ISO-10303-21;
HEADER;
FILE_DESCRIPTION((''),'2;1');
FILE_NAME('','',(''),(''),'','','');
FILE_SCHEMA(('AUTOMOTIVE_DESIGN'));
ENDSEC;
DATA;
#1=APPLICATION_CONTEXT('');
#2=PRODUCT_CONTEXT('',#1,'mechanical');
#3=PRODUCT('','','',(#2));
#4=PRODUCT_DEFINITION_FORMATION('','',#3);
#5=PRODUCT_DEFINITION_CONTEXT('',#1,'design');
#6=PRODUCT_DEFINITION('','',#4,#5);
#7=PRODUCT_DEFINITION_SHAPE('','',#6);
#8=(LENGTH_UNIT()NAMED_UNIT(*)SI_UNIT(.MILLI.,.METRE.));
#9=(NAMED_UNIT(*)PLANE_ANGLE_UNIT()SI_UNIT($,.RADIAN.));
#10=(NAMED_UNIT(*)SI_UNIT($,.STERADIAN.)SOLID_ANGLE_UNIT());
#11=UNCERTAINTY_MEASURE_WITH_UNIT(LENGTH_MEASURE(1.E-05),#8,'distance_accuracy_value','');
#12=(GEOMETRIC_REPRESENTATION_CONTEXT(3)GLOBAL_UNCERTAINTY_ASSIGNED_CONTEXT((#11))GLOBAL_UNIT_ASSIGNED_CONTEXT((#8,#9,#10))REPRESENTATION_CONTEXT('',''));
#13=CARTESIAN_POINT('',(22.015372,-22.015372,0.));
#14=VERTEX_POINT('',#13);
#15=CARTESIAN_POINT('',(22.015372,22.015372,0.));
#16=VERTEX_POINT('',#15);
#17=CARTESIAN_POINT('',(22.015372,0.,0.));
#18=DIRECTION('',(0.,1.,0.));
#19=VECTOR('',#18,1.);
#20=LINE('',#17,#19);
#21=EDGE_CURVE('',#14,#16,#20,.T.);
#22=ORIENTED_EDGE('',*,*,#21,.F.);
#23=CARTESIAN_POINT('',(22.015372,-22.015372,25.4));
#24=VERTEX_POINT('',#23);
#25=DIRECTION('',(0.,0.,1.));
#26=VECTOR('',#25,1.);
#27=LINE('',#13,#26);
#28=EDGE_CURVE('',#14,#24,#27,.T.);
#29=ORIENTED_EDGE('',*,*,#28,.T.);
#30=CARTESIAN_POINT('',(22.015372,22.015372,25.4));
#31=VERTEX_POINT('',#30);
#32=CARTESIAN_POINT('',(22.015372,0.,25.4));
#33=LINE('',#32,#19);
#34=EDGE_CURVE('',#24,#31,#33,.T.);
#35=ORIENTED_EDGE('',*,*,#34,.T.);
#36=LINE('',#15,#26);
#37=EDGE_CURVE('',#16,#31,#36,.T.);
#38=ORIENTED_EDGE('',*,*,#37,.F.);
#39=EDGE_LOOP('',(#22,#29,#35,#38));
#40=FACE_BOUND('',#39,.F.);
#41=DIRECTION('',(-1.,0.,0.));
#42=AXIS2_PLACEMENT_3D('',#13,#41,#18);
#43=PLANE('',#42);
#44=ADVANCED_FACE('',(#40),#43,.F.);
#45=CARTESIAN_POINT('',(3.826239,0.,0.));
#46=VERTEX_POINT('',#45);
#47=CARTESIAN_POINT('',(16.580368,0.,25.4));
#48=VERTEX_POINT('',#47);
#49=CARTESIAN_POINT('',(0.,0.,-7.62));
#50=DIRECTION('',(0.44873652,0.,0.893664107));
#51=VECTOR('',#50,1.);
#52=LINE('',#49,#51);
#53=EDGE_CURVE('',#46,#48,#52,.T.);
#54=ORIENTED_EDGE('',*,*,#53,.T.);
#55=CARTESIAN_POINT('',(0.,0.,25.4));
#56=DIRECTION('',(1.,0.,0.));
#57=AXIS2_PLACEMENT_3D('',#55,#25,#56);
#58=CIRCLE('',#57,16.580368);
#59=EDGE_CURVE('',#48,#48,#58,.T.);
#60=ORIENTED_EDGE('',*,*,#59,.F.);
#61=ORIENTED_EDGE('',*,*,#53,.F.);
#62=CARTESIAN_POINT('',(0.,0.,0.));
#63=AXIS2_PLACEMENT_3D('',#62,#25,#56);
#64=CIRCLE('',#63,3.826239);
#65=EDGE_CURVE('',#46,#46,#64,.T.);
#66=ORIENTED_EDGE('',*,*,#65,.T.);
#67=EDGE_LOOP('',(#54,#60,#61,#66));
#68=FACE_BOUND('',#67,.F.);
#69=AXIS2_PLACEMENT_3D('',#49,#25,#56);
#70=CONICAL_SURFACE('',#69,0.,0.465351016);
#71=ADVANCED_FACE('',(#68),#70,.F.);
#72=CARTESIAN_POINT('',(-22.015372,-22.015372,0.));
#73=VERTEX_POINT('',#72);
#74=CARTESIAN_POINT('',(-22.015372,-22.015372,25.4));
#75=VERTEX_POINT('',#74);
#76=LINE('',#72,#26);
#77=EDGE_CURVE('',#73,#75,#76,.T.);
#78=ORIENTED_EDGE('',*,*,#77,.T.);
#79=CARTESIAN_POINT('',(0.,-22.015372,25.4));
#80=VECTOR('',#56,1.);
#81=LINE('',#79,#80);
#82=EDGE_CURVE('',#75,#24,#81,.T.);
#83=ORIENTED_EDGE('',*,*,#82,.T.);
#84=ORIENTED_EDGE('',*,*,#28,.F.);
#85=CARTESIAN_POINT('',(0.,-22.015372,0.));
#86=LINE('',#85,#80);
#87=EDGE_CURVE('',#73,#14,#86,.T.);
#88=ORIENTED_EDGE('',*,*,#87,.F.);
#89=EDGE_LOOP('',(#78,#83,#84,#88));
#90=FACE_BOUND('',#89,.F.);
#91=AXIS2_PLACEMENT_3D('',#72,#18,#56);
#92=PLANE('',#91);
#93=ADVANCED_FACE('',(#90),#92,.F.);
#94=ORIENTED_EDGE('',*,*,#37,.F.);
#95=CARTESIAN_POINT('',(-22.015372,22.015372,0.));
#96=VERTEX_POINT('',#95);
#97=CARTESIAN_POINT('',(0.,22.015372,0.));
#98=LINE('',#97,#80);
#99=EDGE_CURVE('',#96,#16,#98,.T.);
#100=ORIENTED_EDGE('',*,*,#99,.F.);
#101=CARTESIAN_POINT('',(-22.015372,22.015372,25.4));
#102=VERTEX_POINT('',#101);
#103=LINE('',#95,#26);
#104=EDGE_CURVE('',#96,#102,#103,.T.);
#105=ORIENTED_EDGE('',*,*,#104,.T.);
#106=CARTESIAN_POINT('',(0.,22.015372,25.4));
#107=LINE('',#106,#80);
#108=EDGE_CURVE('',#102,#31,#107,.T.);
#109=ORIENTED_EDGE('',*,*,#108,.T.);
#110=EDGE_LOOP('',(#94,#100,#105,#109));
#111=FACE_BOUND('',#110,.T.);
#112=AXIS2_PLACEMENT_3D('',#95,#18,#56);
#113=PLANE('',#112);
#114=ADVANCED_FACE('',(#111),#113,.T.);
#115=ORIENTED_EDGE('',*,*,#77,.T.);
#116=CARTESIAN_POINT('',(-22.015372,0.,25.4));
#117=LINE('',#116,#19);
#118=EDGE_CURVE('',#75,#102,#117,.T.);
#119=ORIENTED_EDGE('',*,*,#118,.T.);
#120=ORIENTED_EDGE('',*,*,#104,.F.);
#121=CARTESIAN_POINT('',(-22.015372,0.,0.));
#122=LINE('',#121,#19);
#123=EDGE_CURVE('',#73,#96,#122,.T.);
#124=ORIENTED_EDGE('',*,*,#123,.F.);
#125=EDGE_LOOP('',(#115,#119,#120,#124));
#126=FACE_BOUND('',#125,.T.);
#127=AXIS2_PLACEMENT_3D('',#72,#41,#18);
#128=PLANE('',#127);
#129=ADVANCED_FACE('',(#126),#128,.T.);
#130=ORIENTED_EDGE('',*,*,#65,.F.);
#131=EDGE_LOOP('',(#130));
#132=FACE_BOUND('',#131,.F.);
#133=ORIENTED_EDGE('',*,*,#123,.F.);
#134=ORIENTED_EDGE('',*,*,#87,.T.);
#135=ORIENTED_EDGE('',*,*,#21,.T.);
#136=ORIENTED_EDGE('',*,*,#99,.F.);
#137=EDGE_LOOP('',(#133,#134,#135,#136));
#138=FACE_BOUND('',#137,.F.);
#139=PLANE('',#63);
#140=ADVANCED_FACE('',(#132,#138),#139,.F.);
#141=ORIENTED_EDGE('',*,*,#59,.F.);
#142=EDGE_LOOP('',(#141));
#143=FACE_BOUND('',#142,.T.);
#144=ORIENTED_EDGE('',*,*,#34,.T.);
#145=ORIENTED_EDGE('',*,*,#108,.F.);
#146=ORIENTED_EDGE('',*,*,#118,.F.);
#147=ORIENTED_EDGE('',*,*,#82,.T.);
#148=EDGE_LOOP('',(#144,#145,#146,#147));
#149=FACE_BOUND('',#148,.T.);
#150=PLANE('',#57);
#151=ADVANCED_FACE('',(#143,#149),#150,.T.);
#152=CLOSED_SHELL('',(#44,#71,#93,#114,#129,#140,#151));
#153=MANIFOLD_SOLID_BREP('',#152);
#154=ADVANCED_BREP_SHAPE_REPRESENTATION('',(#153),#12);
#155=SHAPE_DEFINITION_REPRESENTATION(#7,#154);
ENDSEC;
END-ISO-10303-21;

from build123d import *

# Parameters (mm, degrees)
F0_W     = 44.030744
F0_H     = 44.030744
F1_DEPTH = 25.4


with BuildPart() as f1:
    # F0 (on Top) → F1 (new body)
    with BuildSketch(Plane.XY):
        Rectangle(F0_W, F0_H)
    extrude(amount=F1_DEPTH)


with BuildPart() as f3:
    # F2 (on Front) → F3 (revolve)
    with BuildSketch(Plane.XZ):
        Polygon((19.131194, 30.48), (0, 30.48), (0, -7.62), align=None)
    revolve(axis=Axis((0, 0, 11.43), (0, 0, 1)))


with BuildPart() as f1_1:
    add(f1.part)

    # F4: cut F3
    add(f3.part, mode=Mode.SUBTRACT)


solid = f1_1.part
